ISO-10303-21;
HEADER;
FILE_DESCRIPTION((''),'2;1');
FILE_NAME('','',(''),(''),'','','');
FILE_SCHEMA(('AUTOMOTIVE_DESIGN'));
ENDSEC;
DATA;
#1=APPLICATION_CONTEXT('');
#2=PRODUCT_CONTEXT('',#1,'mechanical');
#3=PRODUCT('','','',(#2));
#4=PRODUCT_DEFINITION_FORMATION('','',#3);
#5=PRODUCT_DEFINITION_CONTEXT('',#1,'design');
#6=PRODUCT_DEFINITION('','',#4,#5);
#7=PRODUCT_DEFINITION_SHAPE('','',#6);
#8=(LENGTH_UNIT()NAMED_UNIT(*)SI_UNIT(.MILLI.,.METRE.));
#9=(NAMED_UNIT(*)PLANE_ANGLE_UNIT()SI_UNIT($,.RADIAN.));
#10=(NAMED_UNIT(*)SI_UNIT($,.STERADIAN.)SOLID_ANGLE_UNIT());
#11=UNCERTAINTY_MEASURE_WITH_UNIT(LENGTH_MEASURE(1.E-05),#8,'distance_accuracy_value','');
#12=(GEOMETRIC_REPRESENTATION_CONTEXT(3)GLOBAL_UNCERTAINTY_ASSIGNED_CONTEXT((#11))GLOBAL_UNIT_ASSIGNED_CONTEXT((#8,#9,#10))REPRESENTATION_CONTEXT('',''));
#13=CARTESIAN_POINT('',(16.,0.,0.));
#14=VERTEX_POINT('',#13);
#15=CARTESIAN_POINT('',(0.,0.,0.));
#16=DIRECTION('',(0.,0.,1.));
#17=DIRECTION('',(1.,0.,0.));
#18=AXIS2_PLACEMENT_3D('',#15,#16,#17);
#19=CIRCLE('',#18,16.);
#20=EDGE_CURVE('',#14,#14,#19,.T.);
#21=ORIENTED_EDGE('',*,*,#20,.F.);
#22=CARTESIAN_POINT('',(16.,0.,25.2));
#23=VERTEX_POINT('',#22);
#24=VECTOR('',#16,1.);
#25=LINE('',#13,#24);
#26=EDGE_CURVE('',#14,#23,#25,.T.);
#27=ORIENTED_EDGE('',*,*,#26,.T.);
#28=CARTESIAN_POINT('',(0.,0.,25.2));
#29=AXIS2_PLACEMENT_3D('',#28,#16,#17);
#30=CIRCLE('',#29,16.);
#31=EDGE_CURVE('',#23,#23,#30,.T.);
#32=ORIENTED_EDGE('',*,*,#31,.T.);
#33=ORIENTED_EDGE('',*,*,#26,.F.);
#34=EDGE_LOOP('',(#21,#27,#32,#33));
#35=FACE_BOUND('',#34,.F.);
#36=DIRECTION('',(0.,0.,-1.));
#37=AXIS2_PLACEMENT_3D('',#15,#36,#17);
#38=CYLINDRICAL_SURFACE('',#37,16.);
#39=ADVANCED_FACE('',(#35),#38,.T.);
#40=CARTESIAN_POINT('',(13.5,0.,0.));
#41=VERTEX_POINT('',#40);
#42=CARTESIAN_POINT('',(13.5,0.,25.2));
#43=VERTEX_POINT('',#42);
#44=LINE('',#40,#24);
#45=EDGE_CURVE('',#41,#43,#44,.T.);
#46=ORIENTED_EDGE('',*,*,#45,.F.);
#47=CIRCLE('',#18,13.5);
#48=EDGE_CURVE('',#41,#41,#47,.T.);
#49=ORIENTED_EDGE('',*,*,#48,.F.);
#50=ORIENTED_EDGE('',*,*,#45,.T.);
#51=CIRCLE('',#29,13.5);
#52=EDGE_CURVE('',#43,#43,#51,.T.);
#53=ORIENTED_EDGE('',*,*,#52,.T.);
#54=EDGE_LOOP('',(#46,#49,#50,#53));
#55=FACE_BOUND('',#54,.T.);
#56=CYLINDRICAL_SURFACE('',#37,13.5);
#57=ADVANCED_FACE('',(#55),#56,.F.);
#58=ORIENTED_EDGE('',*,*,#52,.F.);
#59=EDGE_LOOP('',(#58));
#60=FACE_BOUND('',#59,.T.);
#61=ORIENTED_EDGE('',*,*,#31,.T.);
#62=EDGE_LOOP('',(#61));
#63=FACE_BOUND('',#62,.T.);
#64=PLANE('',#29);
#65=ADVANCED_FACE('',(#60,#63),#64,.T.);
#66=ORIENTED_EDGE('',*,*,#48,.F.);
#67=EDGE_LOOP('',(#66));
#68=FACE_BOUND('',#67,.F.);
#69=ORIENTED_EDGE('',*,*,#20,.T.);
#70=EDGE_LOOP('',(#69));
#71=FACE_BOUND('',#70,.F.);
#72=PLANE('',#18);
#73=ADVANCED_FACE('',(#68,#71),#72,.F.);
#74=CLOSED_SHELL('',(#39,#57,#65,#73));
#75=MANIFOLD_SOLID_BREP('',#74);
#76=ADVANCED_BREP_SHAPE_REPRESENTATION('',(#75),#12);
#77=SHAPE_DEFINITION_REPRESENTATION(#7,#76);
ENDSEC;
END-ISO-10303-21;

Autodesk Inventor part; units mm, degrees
ref_plane "YZ Plane" through (0, 0, 0) normal (1, 0, 0) x (0, 1, 0)
ref_plane "XZ Plane" through (0, 0, 0) normal (0, 1, 0) x (-1, 0, 0)
ref_plane "XY Plane" through (0, 0, 0) normal (0, 0, 1) x (1, 0, 0)
sketch "スケッチ1" plane through (0, 0, 0) normal (0, 0, 1) x (1, 0, 0)
  circle A0 centre (0, 0) radius 13.5
  circle A1 centre (0, 0) radius 16
  dimension "d0" = 27
  dimension "d1" = 32
extrude "押し出し1" add sketch "スケッチ1" along normal blind 25.2
properties part number "555_GearBox_Body" material "鉄、鋳鉄"
